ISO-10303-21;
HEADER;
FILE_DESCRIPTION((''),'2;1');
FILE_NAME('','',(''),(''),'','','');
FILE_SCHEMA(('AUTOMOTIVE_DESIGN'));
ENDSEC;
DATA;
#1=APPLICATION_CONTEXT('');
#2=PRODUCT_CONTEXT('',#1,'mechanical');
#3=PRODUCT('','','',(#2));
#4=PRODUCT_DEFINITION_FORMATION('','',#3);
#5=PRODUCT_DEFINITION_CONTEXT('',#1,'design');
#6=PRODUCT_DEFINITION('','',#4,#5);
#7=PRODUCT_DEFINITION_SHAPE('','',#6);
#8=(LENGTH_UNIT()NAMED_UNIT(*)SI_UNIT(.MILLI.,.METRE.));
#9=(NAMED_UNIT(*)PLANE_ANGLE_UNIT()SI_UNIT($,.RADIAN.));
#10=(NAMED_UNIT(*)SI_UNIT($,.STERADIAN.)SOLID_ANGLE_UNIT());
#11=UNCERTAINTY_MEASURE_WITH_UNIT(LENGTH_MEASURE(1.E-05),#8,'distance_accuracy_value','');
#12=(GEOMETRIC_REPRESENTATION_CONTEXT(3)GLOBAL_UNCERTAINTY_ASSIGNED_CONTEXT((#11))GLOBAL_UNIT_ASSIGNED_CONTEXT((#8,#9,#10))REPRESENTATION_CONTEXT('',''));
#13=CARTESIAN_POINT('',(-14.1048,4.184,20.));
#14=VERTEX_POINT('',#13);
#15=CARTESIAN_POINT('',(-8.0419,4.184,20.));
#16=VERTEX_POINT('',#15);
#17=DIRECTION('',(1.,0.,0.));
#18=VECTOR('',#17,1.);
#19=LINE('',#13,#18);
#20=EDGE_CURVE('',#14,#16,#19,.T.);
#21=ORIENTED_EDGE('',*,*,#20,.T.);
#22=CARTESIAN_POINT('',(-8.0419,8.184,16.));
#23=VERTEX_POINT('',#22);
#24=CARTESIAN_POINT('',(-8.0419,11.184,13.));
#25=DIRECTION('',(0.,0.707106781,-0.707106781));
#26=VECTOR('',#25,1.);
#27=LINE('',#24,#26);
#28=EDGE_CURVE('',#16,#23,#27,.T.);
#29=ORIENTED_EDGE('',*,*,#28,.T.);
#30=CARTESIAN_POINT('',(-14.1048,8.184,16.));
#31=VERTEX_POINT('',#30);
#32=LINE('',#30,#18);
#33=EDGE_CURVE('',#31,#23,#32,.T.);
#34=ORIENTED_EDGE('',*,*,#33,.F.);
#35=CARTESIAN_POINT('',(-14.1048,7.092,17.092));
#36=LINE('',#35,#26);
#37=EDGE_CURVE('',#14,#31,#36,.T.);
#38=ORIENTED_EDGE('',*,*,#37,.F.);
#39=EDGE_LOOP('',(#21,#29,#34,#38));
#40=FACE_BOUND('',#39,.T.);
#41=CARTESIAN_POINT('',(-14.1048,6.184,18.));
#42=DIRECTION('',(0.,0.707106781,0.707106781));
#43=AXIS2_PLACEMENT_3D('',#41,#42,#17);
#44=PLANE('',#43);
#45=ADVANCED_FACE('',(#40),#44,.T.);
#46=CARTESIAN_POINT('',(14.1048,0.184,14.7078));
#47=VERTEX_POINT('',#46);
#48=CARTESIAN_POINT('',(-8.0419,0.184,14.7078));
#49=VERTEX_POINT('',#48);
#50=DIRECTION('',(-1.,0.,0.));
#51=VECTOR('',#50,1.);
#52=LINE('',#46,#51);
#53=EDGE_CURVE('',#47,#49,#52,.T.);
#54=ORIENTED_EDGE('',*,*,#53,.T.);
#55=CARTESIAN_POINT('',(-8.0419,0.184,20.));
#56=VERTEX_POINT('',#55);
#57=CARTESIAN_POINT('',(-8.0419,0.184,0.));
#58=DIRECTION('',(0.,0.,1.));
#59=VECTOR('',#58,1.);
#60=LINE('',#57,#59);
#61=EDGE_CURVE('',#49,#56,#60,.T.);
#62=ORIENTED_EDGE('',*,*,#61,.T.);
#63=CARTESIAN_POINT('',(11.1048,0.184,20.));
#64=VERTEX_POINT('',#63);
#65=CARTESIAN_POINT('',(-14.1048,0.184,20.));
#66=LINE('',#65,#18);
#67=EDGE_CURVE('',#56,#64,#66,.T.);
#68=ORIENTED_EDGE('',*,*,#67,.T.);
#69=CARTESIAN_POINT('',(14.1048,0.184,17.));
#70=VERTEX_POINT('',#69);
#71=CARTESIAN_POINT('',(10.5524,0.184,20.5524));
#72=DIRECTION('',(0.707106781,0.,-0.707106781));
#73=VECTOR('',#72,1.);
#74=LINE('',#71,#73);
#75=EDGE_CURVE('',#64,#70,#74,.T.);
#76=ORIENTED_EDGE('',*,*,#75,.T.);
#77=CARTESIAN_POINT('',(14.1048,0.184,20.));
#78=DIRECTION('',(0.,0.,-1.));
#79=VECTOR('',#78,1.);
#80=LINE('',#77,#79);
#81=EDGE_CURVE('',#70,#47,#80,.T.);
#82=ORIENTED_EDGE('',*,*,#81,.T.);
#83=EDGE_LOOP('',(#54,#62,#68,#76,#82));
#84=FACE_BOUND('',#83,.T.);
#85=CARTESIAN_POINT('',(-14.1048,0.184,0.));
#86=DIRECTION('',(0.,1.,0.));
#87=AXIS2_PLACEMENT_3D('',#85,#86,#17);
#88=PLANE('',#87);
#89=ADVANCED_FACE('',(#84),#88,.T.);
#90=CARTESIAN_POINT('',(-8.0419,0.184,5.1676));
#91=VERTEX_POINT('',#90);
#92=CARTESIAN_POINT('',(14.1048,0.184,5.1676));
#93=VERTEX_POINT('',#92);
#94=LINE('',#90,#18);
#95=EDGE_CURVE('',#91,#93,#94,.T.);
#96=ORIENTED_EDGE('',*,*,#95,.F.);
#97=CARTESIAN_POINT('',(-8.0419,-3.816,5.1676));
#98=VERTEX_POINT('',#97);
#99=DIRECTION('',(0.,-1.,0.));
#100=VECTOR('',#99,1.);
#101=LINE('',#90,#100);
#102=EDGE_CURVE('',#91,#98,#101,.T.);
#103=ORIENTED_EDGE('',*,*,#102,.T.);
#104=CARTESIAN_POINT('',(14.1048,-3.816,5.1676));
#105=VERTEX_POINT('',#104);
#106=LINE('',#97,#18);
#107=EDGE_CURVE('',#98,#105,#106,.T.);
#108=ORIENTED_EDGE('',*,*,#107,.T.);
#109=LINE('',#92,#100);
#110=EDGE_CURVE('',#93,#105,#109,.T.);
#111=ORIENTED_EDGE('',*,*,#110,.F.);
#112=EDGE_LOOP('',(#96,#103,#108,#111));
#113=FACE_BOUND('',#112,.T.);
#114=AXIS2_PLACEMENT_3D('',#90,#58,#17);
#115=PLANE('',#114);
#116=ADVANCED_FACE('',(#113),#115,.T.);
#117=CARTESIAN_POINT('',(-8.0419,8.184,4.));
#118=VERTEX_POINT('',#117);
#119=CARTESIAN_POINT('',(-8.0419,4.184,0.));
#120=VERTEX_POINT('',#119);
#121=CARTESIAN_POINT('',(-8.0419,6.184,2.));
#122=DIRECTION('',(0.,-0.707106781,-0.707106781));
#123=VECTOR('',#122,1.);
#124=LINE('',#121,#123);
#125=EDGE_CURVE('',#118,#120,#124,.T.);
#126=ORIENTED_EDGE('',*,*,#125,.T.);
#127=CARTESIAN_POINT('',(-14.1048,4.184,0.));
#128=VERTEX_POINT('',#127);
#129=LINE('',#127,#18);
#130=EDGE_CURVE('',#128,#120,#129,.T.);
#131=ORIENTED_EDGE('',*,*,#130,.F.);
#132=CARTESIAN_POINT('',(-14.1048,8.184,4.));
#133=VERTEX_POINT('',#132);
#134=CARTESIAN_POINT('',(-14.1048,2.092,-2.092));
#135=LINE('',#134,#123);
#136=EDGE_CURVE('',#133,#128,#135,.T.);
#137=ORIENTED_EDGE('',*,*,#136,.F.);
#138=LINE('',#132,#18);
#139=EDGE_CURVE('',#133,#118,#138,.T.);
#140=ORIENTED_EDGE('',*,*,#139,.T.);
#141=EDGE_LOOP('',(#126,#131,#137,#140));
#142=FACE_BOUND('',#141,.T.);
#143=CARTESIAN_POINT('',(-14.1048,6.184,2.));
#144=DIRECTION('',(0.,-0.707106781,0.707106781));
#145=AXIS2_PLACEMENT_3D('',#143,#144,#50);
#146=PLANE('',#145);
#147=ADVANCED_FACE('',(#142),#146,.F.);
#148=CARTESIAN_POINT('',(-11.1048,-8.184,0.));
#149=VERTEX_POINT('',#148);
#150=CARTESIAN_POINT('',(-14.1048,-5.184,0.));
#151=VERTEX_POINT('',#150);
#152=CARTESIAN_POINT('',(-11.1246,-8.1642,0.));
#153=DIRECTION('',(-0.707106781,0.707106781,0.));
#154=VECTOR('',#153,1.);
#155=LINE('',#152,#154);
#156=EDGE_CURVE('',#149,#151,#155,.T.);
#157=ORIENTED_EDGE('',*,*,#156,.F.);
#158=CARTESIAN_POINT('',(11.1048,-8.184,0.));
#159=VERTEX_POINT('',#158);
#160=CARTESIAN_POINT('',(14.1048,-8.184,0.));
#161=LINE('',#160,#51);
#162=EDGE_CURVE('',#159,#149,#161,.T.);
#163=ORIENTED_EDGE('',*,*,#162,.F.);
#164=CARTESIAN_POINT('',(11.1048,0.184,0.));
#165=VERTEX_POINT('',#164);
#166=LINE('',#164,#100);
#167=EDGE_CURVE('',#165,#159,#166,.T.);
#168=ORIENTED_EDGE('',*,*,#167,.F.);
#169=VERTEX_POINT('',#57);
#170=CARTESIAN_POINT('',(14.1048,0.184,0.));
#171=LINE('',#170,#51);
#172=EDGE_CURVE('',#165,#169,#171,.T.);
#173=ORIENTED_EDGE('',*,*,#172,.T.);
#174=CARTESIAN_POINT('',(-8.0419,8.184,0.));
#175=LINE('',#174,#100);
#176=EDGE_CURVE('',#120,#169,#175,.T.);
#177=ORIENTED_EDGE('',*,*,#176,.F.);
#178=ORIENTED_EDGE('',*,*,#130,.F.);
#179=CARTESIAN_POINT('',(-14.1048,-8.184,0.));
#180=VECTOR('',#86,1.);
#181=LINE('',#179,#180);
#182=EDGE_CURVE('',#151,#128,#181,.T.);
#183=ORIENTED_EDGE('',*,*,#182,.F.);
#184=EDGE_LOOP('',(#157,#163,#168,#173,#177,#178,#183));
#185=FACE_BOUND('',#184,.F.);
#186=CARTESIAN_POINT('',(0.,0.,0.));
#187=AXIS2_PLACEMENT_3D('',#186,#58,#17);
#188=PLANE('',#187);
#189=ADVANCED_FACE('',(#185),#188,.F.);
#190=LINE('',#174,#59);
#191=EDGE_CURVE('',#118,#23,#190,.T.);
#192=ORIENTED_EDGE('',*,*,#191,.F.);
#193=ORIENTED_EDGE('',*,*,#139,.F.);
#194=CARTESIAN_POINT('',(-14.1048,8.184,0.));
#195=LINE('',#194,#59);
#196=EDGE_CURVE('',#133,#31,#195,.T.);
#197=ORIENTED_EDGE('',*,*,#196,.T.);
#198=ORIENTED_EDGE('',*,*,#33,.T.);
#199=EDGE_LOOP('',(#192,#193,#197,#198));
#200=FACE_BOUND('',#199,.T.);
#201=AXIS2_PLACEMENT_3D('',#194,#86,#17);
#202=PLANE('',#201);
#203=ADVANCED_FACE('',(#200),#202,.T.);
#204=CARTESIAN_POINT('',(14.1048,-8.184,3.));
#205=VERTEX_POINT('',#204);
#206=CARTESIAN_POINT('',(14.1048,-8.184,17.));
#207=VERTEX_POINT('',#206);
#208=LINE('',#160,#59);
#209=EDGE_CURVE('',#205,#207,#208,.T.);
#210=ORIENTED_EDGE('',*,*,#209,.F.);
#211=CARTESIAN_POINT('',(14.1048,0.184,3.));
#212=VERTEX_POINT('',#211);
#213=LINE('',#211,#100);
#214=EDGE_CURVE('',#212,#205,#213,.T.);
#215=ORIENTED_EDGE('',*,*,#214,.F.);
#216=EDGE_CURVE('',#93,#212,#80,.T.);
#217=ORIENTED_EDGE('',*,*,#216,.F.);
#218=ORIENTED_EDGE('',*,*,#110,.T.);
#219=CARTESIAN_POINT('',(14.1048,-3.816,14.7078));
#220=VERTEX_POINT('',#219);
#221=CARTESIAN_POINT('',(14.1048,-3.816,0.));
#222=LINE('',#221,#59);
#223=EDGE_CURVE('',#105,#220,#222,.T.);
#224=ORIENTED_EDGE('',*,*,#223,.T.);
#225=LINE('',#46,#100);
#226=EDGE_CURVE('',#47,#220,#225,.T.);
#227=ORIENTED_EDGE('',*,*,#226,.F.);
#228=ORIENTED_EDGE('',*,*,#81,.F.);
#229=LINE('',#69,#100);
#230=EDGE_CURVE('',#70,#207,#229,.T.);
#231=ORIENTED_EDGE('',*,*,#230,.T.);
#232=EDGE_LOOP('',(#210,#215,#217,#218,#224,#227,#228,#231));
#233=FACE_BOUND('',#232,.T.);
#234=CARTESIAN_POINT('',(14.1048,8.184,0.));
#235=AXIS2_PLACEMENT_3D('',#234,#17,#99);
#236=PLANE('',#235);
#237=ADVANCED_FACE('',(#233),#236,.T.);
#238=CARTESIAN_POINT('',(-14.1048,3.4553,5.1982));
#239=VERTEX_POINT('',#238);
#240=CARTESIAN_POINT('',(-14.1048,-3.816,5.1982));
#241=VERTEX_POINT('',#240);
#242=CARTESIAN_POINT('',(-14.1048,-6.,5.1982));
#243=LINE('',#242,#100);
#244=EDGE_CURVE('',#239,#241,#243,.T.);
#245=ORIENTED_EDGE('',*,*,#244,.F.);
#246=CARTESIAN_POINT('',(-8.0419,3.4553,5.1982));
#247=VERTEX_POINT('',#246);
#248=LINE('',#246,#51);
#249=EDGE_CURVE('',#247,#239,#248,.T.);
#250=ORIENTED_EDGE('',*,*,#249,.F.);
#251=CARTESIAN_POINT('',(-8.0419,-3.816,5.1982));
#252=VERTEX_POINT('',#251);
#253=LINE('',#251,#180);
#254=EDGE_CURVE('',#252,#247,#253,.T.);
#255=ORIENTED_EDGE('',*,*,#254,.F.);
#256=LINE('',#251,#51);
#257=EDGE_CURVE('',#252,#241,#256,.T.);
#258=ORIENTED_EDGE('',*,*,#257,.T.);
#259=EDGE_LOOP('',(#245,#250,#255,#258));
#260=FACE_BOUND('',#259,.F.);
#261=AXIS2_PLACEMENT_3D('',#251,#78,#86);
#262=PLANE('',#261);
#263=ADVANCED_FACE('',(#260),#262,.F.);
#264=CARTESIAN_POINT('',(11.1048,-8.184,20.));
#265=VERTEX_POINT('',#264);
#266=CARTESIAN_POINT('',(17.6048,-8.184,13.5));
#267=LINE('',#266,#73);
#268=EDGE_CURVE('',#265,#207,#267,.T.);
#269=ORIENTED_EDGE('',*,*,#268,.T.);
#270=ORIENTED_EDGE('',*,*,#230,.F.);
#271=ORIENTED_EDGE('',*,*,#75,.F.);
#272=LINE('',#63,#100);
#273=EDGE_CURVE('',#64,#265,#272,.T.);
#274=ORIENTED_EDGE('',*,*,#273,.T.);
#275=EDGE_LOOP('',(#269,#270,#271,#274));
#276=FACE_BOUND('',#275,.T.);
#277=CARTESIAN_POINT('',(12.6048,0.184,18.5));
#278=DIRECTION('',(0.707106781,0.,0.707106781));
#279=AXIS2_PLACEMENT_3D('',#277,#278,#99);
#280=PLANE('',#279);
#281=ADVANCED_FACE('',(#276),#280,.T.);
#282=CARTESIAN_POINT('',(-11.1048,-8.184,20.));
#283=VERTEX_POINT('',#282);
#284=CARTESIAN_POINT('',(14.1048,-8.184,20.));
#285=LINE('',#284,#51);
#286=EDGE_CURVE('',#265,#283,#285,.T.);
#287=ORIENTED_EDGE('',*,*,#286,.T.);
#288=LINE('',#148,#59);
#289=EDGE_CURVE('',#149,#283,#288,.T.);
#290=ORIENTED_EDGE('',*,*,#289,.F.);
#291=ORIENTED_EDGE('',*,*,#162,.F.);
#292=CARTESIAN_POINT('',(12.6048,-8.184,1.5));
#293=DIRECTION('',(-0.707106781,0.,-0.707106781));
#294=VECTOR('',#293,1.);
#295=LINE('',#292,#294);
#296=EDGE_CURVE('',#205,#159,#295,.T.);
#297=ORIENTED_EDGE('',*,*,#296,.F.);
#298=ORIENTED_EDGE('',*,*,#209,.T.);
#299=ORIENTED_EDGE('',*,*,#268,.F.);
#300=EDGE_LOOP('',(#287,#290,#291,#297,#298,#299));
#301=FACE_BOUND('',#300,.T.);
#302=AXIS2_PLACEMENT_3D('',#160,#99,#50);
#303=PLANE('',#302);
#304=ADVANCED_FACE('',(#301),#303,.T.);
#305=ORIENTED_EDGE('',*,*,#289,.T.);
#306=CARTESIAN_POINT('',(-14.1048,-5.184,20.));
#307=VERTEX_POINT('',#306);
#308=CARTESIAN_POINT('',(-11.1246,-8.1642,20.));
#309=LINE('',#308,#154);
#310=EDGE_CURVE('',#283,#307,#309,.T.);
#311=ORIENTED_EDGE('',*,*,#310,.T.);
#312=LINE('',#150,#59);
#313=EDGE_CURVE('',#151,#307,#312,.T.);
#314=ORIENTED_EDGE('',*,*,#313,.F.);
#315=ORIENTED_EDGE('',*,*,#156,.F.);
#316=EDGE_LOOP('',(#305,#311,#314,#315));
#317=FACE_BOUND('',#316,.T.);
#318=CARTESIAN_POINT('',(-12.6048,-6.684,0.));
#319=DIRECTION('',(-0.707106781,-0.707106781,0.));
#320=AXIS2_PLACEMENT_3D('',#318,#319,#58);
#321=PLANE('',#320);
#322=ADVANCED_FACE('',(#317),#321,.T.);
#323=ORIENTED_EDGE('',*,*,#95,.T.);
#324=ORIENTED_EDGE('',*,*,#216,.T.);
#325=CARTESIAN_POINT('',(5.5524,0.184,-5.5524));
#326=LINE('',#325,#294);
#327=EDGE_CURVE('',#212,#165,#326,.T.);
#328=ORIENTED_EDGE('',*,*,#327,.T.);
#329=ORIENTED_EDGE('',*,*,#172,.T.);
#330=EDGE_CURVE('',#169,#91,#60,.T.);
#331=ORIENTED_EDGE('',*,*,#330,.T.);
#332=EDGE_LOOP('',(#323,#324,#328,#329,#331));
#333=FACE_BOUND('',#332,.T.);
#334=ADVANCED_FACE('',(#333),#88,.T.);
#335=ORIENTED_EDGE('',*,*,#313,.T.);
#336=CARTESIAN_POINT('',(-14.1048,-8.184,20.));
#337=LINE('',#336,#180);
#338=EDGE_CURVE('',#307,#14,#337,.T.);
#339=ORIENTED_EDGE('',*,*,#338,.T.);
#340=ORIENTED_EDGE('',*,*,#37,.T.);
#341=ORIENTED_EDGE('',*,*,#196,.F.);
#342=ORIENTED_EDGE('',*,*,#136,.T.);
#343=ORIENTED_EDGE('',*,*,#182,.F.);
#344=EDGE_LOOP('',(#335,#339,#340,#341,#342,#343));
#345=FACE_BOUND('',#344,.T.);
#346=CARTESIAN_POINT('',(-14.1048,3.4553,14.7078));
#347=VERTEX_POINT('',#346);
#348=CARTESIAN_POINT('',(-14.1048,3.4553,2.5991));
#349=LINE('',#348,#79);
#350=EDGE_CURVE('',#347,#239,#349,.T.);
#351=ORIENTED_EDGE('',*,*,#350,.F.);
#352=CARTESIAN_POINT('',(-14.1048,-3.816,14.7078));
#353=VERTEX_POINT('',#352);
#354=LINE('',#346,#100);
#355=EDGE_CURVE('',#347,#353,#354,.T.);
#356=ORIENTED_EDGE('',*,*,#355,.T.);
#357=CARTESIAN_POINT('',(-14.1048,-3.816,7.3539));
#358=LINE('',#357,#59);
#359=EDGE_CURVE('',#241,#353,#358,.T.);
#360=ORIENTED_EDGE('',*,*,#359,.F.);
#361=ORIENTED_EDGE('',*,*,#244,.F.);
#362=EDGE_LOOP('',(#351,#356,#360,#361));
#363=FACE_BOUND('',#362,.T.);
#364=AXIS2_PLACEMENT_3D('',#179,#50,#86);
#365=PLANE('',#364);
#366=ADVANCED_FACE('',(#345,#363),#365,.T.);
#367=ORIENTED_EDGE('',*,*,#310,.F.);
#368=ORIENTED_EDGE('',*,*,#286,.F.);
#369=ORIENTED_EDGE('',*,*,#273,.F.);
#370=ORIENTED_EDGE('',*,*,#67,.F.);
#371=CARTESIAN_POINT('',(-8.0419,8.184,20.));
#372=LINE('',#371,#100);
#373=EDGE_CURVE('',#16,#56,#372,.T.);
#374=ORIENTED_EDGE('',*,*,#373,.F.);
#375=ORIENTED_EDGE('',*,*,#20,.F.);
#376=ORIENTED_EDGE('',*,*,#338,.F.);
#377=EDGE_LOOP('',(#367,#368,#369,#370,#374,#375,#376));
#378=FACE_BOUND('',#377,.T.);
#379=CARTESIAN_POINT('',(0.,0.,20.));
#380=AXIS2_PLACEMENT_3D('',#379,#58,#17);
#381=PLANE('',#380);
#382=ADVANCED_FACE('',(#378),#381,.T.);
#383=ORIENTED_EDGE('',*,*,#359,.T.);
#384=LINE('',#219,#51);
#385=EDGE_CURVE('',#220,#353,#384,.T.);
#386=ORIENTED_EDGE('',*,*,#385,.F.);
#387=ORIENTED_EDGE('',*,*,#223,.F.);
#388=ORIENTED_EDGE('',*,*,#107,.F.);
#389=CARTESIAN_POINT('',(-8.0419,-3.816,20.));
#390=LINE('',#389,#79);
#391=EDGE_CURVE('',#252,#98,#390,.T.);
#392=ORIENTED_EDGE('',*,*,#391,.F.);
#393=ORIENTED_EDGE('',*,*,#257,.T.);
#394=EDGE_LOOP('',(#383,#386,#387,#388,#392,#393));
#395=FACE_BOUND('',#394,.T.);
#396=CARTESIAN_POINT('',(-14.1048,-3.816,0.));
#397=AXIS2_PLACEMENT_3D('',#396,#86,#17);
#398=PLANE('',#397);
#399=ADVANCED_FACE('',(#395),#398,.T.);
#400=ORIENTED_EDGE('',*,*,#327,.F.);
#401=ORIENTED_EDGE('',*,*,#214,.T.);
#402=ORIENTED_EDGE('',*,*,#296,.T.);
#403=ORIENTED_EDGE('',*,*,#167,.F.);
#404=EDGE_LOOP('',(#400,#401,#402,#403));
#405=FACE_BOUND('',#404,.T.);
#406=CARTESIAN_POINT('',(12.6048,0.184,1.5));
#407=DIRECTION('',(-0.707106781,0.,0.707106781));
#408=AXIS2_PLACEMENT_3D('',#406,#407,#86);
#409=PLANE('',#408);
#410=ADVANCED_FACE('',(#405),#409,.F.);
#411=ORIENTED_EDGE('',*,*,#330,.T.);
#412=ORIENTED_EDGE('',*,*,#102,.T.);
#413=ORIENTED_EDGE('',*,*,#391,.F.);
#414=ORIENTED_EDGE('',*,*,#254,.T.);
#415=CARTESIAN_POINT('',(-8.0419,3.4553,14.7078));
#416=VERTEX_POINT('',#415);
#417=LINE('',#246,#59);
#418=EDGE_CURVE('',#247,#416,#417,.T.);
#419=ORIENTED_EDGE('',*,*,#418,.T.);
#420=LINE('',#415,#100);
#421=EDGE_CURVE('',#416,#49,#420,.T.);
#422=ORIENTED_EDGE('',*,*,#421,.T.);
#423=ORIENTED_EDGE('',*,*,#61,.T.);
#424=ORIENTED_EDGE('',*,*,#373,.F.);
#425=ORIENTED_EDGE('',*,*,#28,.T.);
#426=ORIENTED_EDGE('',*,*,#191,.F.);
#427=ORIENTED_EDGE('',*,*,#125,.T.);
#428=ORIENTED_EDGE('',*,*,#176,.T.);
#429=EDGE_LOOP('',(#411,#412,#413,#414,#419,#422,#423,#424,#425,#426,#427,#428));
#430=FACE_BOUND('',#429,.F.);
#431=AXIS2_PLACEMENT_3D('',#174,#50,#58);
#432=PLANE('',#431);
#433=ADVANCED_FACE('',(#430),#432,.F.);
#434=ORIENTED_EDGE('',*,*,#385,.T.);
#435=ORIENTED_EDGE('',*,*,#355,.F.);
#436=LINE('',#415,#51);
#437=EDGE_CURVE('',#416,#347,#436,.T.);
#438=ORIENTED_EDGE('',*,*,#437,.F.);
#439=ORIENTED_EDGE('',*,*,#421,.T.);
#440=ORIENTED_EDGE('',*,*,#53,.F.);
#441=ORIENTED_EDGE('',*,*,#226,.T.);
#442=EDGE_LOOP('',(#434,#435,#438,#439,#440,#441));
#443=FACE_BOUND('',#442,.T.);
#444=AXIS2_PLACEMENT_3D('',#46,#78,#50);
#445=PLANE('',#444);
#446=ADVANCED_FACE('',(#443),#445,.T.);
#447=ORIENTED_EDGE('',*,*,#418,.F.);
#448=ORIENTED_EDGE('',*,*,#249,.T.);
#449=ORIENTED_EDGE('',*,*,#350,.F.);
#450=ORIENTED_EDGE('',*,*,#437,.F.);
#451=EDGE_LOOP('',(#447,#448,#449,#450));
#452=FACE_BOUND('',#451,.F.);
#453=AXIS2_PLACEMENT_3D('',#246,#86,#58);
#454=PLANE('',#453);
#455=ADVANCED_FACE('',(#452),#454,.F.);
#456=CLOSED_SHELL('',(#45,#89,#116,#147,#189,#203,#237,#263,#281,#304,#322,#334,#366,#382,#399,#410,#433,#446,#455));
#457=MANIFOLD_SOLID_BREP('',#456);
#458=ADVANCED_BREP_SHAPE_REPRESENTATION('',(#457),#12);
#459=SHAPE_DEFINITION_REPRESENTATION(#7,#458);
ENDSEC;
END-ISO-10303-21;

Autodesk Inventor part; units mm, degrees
ref_plane "YZ Plane" through (0, 0, 0) normal (1, 0, 0) x (0, 1, 0)
ref_plane "XZ Plane" through (0, 0, 0) normal (0, 1, 0) x (-1, 0, 0)
ref_plane "XY Plane" through (0, 0, 0) normal (0, 0, 1) x (1, 0, 0)
sketch "스케치1" plane through (0, 0, 0) normal (0, 0, 1) x (1, 0, 0)
  line L0 (14.1048, -8.184) -> (-14.1048, -8.184)
  line L1 (-14.1048, -8.184) -> (-14.1048, 8.184)
  line L2 (-14.1048, 8.184) -> (14.1048, 8.184)
  line L3 (14.1048, 8.184) -> (14.1048, -8.184)
  line L4 (14.1048, -8.184) -> (-14.1048, 8.184) construction
  line L5 (-14.1048, -8.184) -> (14.1048, 8.184) construction
  point P0 (0, 0)
extrude "돌출1" add sketch "스케치1" along normal blind 20
sketch "스케치2" plane through (-14.1048, 8.184, 0) normal (0, 1, 0) x (1, 0, 0)
  line L0 (0, -20) -> (28.2096, -20) projected
  line L1 (28.2096, 0) -> (0, 0) projected
  line L2 (6.0629, -20) -> (28.2096, -20)
  line L3 (28.2096, -20) -> (28.2096, 0)
  line L4 (28.2096, 0) -> (6.0629, 0)
  line L5 (6.0629, 0) -> (6.0629, -20)
  point P0 (14.1048, 0)
extrude "돌출2" cut sketch "스케치2" against normal blind 8
sketch "스케치3" plane through (-14.1048, 0.184, 0) normal (0, 1, 0) x (1, 0, 0)
  line L0 (6.0629, -20) -> (6.0629, 0) projected
  line L1 (28.2096, 0) -> (28.2096, -20) projected
  line L2 (6.0629, -5.1676) -> (28.2096, -5.1676)
  line L3 (28.2096, -5.1676) -> (28.2096, -14.7078)
  line L4 (28.2096, -14.7078) -> (6.0629, -14.7078)
  line L5 (6.0629, -14.7078) -> (6.0629, -5.1676)
  point P0 (14.1048, 0)
extrude "돌출3" cut sketch "스케치3" against normal blind 4
sketch "스케치4" plane through (-8.0419, 8.184, 20) normal (1, 0, 0) x (0, 0, -1)
  point P0 (20, -8.184)
sketch "스케치5" plane through (-8.0419, 8.184, 20) normal (1, 0, 0) x (0, 0, -1)
  line L0 (5.2922, -8) -> (5.2922, -12) projected
  line L1 (5.2922, -12) -> (14.8018, -12)
  line L2 (14.8018, -12) -> (14.8018, -4.7287)
  line L3 (14.8018, -4.7287) -> (5.2922, -4.7287)
  line L4 (5.2922, -4.7287) -> (5.2922, -12)
  point P0 (20, -8.184)
extrude "돌출4" cut sketch "스케치5" against normal blind 10
chamfer "모따기1" distance 4 angle 45 1 edges at (-11.0733, 8.184, 20)
chamfer "모따기2" distance 4 angle 45 1 edges at (-11.0733, 8.184, 0)
chamfer "모따기3" distance 3 angle 45 1 edges at (14.1048, -4, 20)
chamfer "모따기4" distance 3 angle 45 1 edges at (14.1048, -4, 0)
chamfer "모따기5" distance 3 angle 45 1 edges at (-14.1048, -8.184, 10)
properties part number "240503_3Dsketch10"
